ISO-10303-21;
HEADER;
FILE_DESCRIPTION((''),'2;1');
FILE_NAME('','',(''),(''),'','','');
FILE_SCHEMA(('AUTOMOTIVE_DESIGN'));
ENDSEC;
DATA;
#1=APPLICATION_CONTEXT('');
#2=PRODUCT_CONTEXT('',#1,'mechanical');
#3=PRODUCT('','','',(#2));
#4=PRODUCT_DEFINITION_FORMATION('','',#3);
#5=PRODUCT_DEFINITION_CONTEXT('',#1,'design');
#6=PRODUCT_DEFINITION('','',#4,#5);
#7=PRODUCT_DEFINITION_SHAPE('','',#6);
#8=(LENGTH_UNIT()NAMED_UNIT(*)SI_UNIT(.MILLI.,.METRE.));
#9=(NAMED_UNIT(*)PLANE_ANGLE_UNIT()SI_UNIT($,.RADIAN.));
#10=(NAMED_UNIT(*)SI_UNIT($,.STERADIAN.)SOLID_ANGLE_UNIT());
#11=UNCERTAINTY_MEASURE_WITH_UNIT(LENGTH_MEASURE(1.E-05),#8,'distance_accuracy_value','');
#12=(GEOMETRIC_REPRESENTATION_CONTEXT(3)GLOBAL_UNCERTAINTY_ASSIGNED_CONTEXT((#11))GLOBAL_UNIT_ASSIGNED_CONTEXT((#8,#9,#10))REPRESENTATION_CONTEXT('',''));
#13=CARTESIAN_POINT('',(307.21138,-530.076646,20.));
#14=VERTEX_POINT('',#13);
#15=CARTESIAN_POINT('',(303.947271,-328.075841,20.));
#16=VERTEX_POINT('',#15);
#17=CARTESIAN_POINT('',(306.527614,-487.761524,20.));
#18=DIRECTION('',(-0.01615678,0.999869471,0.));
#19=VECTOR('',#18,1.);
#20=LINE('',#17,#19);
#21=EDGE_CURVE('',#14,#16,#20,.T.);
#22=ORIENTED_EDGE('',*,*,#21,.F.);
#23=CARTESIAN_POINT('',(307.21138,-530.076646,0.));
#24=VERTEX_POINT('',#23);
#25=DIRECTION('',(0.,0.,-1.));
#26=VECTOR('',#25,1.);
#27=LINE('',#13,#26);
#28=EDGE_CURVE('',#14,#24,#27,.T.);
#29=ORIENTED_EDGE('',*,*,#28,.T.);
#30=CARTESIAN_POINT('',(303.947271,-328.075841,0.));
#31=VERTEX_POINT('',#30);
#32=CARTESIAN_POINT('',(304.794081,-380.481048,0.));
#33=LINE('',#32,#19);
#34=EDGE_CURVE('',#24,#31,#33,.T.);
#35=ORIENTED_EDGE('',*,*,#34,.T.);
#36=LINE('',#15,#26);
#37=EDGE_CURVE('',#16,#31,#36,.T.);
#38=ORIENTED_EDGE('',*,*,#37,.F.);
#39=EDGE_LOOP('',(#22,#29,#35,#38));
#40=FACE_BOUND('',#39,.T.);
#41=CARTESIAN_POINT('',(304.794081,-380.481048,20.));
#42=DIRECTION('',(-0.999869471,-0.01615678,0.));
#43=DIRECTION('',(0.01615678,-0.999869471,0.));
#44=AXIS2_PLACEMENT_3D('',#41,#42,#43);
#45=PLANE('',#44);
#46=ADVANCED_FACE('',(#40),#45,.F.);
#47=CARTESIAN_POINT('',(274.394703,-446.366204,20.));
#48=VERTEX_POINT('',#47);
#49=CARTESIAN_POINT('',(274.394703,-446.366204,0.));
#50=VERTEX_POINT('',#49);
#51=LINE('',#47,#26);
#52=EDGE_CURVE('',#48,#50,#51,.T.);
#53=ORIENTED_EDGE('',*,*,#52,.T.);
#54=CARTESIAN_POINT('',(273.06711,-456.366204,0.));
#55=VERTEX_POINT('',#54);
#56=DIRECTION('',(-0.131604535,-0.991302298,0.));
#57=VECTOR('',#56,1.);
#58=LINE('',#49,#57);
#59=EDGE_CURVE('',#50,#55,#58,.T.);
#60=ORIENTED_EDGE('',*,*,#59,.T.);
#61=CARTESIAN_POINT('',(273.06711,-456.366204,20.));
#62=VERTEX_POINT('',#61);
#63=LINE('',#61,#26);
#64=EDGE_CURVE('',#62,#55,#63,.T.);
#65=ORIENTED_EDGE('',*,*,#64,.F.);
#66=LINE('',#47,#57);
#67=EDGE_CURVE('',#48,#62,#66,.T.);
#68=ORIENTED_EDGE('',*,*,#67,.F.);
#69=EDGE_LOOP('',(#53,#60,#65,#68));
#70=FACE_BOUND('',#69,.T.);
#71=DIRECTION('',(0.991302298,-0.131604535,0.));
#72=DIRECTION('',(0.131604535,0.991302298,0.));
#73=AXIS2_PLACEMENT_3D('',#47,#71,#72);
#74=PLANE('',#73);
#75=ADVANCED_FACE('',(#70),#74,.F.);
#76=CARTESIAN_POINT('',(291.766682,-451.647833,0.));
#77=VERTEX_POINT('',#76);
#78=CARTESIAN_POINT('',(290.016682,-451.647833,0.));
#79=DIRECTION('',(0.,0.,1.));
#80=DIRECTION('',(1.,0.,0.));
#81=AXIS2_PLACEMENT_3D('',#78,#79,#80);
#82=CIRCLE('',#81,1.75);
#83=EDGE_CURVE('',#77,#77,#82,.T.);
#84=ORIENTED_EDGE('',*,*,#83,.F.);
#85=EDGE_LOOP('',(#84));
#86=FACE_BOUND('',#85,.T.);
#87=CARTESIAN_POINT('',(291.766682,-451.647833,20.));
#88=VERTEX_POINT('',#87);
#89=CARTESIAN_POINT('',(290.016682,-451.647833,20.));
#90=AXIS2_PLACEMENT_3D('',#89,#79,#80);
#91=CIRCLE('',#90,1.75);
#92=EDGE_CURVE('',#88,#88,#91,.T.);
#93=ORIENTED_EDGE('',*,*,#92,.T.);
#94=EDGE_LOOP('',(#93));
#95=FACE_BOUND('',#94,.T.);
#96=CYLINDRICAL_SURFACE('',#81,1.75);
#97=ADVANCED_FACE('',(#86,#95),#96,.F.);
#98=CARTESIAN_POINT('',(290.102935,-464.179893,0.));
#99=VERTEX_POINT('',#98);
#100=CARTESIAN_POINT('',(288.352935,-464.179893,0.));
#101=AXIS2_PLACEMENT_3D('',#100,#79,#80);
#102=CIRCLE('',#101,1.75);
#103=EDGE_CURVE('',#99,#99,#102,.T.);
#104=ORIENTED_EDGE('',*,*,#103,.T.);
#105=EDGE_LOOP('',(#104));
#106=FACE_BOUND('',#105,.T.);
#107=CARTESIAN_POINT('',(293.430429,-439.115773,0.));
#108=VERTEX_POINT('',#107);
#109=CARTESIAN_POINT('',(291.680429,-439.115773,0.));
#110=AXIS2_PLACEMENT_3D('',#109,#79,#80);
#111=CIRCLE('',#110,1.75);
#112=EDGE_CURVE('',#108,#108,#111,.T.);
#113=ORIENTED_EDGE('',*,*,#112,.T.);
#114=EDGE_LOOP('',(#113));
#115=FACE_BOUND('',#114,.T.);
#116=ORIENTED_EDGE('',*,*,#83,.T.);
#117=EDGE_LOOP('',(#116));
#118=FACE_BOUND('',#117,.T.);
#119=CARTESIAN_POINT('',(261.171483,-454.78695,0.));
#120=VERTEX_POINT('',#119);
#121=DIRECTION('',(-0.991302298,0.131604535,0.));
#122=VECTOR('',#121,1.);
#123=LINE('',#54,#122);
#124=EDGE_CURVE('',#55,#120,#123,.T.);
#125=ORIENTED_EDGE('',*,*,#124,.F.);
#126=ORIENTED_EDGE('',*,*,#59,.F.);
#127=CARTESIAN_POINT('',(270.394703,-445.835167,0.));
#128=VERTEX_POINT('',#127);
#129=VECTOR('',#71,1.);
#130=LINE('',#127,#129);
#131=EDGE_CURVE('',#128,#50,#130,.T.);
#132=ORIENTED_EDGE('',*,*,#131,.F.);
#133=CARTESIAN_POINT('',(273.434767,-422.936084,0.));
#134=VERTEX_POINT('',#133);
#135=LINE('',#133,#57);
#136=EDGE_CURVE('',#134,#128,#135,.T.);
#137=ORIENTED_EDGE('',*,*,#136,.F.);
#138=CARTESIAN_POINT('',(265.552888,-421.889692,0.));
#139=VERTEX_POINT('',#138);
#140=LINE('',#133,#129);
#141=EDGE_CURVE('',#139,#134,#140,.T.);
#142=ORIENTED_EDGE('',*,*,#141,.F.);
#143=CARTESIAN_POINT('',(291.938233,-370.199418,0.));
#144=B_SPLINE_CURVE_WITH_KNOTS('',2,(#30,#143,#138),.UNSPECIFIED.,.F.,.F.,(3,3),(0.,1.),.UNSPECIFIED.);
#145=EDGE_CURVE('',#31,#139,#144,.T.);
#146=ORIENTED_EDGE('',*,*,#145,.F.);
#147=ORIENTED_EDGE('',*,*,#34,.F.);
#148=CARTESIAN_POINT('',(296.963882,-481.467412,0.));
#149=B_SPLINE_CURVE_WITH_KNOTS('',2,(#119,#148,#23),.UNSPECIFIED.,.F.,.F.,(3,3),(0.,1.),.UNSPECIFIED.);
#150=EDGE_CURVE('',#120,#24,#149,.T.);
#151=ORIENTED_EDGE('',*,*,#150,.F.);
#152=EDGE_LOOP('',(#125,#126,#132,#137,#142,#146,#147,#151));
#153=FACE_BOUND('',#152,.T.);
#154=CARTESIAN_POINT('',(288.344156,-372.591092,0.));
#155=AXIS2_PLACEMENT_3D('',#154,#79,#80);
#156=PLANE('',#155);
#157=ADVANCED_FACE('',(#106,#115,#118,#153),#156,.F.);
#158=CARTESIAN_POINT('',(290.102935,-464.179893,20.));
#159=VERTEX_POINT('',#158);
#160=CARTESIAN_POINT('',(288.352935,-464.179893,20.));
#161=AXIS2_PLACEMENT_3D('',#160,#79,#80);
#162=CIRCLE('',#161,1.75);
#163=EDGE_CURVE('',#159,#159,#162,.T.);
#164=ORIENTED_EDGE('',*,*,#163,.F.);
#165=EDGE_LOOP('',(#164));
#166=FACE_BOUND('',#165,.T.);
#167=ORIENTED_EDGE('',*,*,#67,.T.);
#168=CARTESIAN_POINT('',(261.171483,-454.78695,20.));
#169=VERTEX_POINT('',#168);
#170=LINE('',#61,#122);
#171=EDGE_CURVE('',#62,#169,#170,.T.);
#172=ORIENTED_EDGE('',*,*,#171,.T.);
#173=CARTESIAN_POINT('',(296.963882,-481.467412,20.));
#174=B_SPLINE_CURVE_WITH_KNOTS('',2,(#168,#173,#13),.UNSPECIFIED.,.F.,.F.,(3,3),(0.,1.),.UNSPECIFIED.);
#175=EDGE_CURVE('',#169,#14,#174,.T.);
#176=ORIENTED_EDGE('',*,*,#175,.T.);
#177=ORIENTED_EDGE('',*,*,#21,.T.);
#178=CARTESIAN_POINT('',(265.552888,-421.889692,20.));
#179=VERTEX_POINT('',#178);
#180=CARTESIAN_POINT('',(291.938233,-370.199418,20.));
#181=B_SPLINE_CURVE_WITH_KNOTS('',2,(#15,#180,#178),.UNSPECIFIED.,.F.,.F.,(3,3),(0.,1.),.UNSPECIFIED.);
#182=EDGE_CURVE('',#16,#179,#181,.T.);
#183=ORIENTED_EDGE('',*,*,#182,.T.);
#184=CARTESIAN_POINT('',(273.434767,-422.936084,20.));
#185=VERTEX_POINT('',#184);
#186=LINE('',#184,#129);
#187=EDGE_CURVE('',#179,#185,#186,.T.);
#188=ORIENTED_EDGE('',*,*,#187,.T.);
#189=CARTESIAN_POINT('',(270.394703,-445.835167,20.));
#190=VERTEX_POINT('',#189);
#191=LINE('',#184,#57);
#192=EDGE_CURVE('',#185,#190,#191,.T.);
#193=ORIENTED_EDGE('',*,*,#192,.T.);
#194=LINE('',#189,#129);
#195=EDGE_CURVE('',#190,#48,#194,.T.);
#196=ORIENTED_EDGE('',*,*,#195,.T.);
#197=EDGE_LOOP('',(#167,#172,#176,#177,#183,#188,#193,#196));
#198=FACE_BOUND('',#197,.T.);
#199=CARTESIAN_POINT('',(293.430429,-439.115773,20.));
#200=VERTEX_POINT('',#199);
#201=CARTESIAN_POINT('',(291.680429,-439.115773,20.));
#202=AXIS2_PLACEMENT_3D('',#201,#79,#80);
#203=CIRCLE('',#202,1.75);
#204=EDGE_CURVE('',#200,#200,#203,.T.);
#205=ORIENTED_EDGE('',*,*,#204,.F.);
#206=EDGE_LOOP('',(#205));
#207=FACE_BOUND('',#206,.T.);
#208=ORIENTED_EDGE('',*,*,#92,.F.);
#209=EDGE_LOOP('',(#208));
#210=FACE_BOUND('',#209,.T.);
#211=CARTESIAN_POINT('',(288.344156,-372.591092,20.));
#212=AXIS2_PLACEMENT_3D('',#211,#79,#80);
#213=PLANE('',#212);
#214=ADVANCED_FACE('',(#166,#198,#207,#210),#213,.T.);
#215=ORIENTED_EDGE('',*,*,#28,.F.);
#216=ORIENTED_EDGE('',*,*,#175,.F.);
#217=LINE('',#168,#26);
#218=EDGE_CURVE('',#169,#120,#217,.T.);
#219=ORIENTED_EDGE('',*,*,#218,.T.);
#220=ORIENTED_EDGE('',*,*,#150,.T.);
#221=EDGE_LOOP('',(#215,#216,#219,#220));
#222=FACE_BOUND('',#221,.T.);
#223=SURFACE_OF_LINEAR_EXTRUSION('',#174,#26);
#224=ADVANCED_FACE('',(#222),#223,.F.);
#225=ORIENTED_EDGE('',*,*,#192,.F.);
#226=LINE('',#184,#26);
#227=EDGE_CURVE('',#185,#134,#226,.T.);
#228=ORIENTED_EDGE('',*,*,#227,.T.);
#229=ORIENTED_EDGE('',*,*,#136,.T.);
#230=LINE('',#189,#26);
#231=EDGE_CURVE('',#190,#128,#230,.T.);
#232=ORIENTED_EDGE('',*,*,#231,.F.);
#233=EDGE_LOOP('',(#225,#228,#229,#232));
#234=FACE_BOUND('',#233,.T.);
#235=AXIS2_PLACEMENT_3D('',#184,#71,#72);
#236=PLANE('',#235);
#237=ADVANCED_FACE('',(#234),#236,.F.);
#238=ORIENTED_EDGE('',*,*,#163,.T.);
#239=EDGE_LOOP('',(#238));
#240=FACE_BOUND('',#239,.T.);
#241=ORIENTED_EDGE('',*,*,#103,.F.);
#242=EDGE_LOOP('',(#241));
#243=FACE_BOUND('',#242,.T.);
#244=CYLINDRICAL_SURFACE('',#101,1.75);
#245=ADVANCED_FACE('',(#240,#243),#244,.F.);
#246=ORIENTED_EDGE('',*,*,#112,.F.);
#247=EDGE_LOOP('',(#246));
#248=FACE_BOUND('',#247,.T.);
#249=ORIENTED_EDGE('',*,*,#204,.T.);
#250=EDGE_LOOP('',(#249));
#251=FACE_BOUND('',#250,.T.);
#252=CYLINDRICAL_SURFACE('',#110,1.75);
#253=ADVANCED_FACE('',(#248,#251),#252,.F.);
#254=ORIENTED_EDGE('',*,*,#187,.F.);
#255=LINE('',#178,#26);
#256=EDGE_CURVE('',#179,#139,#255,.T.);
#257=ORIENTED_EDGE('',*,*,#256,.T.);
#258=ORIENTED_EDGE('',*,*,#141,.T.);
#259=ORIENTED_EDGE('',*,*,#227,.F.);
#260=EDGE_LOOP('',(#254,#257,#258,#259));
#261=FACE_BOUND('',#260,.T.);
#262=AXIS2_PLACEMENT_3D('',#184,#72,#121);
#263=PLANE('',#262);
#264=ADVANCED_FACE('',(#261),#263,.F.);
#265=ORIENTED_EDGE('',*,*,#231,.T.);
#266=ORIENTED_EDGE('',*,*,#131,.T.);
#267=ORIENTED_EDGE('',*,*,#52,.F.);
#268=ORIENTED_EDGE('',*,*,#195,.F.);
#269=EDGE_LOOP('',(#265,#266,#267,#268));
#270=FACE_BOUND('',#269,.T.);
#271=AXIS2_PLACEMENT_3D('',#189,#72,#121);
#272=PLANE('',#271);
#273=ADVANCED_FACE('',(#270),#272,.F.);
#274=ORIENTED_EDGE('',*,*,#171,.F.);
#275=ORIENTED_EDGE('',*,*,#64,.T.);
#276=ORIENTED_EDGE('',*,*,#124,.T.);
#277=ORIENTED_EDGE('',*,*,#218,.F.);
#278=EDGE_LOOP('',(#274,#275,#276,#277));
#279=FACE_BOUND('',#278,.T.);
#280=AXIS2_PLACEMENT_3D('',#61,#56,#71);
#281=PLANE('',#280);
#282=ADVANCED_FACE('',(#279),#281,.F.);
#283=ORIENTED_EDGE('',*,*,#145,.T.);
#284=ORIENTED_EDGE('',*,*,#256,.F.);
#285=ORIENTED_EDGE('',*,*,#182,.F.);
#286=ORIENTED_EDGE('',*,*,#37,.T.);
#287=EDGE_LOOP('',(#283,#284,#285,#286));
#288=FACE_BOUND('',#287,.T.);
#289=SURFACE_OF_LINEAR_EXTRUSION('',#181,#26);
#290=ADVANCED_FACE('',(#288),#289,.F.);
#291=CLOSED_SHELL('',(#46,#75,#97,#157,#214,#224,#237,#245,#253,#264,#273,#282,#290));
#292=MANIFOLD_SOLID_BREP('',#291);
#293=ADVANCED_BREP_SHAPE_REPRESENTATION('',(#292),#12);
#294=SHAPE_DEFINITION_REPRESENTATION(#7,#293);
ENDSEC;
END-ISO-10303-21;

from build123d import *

# Parameters (mm, degrees)
BOSS_EXTRUDE1_DEPTH = 20
SKETCH2_R           = 1.75
CUT_EXTRUDE1_DEPTH  = 613.992726316


with BuildPart() as part:
    # Sketch1 → Boss-Extrude1 (new body)
    with BuildSketch(Plane.XY):
        with BuildLine():
            Line((273.434767303, -422.936084161), (270.394702546, -445.835167249))
            Line((270.394702546, -445.835167249), (274.394702546, -446.36620419))
            Line((274.394702546, -446.36620419), (273.067110194, -456.36620419))
            Line((273.067110194, -456.36620419), (261.171482616, -454.78694977))
            add(Edge.make_bspline(
                [(261.171482616, -454.78694977), (296.963881998, -481.467411972), (307.211379584, -530.076645967)],
                knots=[0, 0, 0, 1, 1, 1], degree=2))
            Line((307.211379584, -530.076645967), (306.527614225, -487.761523765))
            Line((306.527614225, -487.761523765), (304.794080931, -380.481047826))
            Line((304.794080931, -380.481047826), (303.947271008, -328.075840548))
            add(Edge.make_bspline(
                [(303.947271008, -328.075840548), (291.93823329, -370.199418032), (265.55288805, -421.8896919)],
                knots=[0, 0, 0, 1, 1, 1], degree=2))
            Line((265.55288805, -421.8896919), (273.434767303, -422.936084161))
        make_face()
    extrude(amount=BOSS_EXTRUDE1_DEPTH)

    # Sketch2 → Cut-Extrude1 (cut, through all)
    with BuildSketch(Plane.XY.offset(20)):
        with Locations((288.352935212, -464.179893051)):
            Circle(SKETCH2_R)
        with Locations((290.016681941, -451.647832837)):
            Circle(SKETCH2_R)
        with Locations((291.68042867, -439.115772622)):
            Circle(SKETCH2_R)
    extrude(amount=-CUT_EXTRUDE1_DEPTH, mode=Mode.SUBTRACT)


solid = part.part
